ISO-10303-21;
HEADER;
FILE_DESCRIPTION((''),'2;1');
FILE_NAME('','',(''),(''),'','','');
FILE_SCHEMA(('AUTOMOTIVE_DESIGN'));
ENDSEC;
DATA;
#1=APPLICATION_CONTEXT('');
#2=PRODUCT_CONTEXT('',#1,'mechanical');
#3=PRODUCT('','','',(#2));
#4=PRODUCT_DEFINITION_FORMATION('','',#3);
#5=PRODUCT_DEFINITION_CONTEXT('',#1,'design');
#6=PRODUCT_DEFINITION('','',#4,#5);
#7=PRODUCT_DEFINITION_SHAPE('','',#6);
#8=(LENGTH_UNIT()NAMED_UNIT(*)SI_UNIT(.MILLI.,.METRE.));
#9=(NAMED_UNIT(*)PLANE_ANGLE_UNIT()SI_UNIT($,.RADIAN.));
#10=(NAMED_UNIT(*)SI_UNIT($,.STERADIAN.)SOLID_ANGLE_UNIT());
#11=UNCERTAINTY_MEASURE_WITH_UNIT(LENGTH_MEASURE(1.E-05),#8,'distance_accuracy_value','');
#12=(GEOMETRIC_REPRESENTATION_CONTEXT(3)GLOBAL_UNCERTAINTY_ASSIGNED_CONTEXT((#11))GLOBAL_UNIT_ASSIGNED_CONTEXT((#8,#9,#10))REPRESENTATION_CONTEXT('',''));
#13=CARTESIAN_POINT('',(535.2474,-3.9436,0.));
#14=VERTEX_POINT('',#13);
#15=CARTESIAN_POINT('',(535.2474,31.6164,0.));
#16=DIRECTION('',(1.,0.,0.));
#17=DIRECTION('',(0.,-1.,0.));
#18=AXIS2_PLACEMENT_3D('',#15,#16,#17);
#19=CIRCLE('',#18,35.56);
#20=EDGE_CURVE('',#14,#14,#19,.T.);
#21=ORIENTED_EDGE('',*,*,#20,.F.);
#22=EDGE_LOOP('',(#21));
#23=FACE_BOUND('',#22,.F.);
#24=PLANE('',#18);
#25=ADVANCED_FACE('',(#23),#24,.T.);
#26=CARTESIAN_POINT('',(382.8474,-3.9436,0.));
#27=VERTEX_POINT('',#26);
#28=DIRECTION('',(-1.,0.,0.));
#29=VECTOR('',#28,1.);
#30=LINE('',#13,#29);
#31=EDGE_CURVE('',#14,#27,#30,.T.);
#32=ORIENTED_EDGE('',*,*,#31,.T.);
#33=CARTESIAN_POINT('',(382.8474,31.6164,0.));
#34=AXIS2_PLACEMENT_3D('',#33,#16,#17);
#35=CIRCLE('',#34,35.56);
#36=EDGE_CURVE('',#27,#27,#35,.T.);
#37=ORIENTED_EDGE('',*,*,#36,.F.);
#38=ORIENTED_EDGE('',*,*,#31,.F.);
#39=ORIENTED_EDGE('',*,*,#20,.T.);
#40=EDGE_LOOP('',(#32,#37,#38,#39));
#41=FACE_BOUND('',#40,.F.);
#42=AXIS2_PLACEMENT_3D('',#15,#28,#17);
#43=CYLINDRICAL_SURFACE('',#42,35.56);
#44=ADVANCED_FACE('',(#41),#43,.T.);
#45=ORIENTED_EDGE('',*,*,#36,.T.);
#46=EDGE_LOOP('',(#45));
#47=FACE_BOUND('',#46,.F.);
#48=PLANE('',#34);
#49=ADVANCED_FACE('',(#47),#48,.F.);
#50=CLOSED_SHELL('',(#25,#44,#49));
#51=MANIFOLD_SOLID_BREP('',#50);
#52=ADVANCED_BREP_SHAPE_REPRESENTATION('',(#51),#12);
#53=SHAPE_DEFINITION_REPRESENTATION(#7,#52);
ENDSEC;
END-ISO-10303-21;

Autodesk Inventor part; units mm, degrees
ref_plane "YZ Plane" through (0, 0, 0) normal (1, 0, 0) x (0, 1, 0)
ref_plane "XZ Plane" through (0, 0, 0) normal (0, 1, 0) x (-1, 0, 0)
ref_plane "XY Plane" through (0, 0, 0) normal (0, 0, 1) x (1, 0, 0)
sketch "Sketch1" plane through (0, 0, 0) normal (0, 0, 1) x (1, 0, 0)
  line L0 (382.8474, 31.6164) -> (535.2474, 31.6164)
  line L1 (535.2474, 31.6164) -> (535.2474, -3.9436)
  line L2 (535.2474, -3.9436) -> (382.8474, -3.9436)
  line L3 (382.8474, -3.9436) -> (382.8474, 31.6164)
  line L4 (382.1049, -3.9436) -> (78.4098, -3.9436)
  line L5 (-303.6951, -3.9436) -> (0, 0)
  dimension "d0" = 152.4
  dimension "d1" = 35.56
  dimension "d7" = 303.6951
  dimension "d8" = 303.6951
revolve "Revolution1" add sketch "Sketch1" angle 360 about axis through (382.8474, 31.6164, 0) along (1, 0, 0)
sketch "Sketch2" plane through (535.2474, 31.6164, 0) normal (1, 0, 0) x (0, 0, -1)
  line L0 (-76.2, 0) -> (76.2, 0)
  point P0 (0, -31.6164)
revolve "Revolution2" [suppressed]
sketch "Sketch3" plane through (382.8474, 31.6164, 0) normal (-1, 0, 0) x (0, 0, 1)
  line L0 (-76.2, 0) -> (76.2, 0)
  point P0 (0, -31.6164)
revolve "Revolution3" [suppressed]
properties part number "bar"
